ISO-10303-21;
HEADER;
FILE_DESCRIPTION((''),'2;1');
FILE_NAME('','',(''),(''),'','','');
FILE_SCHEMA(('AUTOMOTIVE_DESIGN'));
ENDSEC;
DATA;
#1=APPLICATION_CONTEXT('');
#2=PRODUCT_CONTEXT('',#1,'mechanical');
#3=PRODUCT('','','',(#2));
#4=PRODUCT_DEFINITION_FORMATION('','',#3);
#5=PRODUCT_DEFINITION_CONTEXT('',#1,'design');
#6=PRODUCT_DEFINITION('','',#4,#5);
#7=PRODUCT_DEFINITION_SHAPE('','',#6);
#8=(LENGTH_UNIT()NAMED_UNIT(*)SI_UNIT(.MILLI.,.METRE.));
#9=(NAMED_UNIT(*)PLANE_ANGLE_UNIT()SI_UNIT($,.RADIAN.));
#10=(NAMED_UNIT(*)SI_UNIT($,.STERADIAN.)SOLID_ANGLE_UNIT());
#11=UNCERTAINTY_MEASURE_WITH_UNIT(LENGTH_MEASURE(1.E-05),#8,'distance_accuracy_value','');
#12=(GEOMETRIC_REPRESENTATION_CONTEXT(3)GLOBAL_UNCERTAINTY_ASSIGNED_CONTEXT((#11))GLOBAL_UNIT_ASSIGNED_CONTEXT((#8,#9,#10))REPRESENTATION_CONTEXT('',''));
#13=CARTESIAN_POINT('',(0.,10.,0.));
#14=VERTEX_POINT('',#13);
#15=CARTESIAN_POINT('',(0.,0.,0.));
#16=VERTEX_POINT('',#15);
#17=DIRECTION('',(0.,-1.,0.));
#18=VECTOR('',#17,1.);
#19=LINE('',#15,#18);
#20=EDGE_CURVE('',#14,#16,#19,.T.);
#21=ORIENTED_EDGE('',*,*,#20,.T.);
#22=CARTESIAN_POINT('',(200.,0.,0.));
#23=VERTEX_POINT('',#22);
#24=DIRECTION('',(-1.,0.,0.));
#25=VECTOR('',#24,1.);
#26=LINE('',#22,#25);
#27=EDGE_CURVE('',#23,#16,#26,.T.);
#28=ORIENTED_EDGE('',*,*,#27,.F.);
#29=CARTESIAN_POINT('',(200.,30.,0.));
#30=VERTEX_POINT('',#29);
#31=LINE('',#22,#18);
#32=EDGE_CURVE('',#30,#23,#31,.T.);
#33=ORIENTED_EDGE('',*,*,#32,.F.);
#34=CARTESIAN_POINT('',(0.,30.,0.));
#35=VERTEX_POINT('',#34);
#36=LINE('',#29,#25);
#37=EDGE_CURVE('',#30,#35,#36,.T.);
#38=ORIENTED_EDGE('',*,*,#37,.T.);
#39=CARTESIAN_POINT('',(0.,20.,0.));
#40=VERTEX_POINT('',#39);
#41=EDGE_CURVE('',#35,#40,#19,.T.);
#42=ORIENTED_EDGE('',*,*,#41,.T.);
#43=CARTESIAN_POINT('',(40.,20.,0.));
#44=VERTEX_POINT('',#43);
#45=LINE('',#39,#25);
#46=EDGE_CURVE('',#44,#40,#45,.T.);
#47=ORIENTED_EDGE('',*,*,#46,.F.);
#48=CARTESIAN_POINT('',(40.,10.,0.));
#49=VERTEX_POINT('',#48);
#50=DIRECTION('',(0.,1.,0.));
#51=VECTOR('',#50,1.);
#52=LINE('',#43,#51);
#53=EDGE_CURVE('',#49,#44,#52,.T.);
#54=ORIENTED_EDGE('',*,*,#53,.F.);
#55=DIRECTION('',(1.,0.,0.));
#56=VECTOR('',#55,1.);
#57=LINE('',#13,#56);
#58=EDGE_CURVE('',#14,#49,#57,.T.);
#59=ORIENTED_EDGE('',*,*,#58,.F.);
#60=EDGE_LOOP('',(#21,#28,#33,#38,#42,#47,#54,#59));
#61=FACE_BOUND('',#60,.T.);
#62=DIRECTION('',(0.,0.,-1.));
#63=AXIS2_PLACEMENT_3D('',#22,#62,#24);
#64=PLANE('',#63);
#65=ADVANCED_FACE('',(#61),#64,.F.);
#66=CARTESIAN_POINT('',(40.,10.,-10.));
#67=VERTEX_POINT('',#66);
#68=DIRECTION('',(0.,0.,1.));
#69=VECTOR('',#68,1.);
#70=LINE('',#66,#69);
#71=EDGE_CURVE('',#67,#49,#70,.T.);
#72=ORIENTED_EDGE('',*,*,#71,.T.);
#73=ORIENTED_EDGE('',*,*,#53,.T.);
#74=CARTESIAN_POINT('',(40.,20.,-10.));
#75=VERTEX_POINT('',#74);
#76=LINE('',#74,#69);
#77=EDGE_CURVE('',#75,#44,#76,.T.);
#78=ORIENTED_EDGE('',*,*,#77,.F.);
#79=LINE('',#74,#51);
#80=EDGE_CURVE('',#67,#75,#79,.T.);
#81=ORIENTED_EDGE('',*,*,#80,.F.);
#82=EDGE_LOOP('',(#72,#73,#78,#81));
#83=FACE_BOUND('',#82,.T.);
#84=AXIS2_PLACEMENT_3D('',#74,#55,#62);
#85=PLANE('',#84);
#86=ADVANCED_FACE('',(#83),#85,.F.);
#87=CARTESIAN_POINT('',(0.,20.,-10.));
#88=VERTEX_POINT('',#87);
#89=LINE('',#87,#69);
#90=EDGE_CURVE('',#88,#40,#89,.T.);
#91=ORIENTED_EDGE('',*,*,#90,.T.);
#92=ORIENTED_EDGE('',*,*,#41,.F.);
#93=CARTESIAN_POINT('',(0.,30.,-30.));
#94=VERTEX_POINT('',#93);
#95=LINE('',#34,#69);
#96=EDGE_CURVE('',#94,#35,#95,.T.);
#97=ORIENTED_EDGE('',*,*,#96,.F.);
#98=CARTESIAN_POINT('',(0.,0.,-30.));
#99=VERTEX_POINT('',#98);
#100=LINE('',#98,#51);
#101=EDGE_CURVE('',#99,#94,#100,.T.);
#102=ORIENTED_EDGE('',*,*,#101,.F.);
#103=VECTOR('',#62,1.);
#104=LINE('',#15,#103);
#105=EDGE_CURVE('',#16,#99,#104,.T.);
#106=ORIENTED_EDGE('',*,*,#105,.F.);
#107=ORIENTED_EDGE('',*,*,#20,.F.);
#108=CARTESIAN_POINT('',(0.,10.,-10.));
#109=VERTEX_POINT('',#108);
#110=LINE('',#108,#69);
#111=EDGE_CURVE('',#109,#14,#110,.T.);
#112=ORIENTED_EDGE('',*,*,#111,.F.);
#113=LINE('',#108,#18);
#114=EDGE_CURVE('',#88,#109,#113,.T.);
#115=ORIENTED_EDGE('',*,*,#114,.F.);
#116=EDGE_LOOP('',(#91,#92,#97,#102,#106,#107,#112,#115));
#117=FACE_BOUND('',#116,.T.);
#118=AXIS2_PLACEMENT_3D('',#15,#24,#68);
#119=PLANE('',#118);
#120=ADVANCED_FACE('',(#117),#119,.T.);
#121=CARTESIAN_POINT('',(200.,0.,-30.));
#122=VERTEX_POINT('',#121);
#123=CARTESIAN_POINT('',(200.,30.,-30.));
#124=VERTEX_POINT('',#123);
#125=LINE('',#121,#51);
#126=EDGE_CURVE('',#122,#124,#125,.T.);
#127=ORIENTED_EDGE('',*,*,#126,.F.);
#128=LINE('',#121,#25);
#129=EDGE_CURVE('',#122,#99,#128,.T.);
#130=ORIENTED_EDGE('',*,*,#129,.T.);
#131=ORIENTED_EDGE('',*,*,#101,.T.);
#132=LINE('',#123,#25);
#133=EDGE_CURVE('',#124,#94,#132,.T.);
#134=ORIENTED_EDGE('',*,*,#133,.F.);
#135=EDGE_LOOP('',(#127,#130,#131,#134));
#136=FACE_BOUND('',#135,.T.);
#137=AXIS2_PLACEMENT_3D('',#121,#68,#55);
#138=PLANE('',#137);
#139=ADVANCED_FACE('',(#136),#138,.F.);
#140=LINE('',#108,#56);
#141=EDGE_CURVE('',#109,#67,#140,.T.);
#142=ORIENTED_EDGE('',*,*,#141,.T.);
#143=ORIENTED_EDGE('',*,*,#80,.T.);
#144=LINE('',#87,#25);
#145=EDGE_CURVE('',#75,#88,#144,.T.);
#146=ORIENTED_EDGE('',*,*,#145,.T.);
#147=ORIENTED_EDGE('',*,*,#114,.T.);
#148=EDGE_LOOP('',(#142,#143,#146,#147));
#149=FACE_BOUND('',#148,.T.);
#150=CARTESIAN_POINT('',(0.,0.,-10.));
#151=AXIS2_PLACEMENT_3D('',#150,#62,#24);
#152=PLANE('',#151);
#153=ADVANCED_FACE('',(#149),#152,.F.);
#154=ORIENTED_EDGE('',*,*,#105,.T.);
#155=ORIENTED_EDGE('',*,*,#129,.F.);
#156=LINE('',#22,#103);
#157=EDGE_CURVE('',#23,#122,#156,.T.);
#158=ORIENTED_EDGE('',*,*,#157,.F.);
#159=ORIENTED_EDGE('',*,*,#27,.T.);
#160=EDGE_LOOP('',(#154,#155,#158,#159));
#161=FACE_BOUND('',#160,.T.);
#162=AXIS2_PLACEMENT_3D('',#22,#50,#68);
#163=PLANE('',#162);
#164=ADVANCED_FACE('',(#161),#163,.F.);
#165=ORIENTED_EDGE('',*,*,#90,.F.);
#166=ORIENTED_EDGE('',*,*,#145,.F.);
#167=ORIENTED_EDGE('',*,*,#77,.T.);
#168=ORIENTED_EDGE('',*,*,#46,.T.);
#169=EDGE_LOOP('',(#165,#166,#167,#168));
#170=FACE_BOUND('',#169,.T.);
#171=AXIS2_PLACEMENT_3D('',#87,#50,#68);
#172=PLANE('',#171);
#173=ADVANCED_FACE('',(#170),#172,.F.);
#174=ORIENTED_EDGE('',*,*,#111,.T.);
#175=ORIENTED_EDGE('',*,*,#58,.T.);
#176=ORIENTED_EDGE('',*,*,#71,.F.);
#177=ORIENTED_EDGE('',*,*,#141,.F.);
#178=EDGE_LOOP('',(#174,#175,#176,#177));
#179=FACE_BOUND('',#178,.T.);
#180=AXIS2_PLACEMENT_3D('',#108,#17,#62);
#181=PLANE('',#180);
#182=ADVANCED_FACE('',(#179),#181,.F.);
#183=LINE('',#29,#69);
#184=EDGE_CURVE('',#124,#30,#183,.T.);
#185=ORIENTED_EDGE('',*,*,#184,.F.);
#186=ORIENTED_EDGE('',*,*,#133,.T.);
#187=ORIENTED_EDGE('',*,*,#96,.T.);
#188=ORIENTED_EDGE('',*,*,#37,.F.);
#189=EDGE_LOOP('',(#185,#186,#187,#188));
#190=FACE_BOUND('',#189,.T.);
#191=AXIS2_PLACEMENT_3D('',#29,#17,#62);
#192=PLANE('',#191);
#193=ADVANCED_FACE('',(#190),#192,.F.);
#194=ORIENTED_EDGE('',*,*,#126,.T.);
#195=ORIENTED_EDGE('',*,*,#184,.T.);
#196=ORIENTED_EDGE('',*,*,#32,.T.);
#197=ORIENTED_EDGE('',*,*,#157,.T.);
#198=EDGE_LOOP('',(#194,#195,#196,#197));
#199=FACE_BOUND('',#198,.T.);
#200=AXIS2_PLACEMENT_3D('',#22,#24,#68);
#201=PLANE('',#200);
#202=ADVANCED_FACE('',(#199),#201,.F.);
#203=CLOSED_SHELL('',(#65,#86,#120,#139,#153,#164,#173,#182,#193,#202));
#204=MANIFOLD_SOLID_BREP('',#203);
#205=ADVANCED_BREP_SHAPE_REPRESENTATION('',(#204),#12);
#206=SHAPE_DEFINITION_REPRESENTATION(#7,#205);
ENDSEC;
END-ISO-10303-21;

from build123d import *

# Parameters (mm, degrees)
SKETCH2_W           = 30
SKETCH2_H           = 30
BOSS_EXTRUDE1_DEPTH = 200
SKETCH3_W           = 40
SKETCH3_H           = 10
CUT_EXTRUDE1_DEPTH  = 10


with BuildPart() as part:
    # Sketch2 → Boss-Extrude1 (new body)
    with BuildSketch(Plane(origin=(0, 0, 0), x_dir=(0, 0, -1), z_dir=(1, 0, 0))):
        with Locations((15, 15)):
            Rectangle(SKETCH2_W, SKETCH2_H)
    extrude(amount=BOSS_EXTRUDE1_DEPTH)

    # Sketch3 → Cut-Extrude1 (cut)
    with BuildSketch(Plane.XY):
        with Locations((20, 15)):
            Rectangle(SKETCH3_W, SKETCH3_H)
    extrude(amount=-CUT_EXTRUDE1_DEPTH, mode=Mode.SUBTRACT)


solid = part.part
